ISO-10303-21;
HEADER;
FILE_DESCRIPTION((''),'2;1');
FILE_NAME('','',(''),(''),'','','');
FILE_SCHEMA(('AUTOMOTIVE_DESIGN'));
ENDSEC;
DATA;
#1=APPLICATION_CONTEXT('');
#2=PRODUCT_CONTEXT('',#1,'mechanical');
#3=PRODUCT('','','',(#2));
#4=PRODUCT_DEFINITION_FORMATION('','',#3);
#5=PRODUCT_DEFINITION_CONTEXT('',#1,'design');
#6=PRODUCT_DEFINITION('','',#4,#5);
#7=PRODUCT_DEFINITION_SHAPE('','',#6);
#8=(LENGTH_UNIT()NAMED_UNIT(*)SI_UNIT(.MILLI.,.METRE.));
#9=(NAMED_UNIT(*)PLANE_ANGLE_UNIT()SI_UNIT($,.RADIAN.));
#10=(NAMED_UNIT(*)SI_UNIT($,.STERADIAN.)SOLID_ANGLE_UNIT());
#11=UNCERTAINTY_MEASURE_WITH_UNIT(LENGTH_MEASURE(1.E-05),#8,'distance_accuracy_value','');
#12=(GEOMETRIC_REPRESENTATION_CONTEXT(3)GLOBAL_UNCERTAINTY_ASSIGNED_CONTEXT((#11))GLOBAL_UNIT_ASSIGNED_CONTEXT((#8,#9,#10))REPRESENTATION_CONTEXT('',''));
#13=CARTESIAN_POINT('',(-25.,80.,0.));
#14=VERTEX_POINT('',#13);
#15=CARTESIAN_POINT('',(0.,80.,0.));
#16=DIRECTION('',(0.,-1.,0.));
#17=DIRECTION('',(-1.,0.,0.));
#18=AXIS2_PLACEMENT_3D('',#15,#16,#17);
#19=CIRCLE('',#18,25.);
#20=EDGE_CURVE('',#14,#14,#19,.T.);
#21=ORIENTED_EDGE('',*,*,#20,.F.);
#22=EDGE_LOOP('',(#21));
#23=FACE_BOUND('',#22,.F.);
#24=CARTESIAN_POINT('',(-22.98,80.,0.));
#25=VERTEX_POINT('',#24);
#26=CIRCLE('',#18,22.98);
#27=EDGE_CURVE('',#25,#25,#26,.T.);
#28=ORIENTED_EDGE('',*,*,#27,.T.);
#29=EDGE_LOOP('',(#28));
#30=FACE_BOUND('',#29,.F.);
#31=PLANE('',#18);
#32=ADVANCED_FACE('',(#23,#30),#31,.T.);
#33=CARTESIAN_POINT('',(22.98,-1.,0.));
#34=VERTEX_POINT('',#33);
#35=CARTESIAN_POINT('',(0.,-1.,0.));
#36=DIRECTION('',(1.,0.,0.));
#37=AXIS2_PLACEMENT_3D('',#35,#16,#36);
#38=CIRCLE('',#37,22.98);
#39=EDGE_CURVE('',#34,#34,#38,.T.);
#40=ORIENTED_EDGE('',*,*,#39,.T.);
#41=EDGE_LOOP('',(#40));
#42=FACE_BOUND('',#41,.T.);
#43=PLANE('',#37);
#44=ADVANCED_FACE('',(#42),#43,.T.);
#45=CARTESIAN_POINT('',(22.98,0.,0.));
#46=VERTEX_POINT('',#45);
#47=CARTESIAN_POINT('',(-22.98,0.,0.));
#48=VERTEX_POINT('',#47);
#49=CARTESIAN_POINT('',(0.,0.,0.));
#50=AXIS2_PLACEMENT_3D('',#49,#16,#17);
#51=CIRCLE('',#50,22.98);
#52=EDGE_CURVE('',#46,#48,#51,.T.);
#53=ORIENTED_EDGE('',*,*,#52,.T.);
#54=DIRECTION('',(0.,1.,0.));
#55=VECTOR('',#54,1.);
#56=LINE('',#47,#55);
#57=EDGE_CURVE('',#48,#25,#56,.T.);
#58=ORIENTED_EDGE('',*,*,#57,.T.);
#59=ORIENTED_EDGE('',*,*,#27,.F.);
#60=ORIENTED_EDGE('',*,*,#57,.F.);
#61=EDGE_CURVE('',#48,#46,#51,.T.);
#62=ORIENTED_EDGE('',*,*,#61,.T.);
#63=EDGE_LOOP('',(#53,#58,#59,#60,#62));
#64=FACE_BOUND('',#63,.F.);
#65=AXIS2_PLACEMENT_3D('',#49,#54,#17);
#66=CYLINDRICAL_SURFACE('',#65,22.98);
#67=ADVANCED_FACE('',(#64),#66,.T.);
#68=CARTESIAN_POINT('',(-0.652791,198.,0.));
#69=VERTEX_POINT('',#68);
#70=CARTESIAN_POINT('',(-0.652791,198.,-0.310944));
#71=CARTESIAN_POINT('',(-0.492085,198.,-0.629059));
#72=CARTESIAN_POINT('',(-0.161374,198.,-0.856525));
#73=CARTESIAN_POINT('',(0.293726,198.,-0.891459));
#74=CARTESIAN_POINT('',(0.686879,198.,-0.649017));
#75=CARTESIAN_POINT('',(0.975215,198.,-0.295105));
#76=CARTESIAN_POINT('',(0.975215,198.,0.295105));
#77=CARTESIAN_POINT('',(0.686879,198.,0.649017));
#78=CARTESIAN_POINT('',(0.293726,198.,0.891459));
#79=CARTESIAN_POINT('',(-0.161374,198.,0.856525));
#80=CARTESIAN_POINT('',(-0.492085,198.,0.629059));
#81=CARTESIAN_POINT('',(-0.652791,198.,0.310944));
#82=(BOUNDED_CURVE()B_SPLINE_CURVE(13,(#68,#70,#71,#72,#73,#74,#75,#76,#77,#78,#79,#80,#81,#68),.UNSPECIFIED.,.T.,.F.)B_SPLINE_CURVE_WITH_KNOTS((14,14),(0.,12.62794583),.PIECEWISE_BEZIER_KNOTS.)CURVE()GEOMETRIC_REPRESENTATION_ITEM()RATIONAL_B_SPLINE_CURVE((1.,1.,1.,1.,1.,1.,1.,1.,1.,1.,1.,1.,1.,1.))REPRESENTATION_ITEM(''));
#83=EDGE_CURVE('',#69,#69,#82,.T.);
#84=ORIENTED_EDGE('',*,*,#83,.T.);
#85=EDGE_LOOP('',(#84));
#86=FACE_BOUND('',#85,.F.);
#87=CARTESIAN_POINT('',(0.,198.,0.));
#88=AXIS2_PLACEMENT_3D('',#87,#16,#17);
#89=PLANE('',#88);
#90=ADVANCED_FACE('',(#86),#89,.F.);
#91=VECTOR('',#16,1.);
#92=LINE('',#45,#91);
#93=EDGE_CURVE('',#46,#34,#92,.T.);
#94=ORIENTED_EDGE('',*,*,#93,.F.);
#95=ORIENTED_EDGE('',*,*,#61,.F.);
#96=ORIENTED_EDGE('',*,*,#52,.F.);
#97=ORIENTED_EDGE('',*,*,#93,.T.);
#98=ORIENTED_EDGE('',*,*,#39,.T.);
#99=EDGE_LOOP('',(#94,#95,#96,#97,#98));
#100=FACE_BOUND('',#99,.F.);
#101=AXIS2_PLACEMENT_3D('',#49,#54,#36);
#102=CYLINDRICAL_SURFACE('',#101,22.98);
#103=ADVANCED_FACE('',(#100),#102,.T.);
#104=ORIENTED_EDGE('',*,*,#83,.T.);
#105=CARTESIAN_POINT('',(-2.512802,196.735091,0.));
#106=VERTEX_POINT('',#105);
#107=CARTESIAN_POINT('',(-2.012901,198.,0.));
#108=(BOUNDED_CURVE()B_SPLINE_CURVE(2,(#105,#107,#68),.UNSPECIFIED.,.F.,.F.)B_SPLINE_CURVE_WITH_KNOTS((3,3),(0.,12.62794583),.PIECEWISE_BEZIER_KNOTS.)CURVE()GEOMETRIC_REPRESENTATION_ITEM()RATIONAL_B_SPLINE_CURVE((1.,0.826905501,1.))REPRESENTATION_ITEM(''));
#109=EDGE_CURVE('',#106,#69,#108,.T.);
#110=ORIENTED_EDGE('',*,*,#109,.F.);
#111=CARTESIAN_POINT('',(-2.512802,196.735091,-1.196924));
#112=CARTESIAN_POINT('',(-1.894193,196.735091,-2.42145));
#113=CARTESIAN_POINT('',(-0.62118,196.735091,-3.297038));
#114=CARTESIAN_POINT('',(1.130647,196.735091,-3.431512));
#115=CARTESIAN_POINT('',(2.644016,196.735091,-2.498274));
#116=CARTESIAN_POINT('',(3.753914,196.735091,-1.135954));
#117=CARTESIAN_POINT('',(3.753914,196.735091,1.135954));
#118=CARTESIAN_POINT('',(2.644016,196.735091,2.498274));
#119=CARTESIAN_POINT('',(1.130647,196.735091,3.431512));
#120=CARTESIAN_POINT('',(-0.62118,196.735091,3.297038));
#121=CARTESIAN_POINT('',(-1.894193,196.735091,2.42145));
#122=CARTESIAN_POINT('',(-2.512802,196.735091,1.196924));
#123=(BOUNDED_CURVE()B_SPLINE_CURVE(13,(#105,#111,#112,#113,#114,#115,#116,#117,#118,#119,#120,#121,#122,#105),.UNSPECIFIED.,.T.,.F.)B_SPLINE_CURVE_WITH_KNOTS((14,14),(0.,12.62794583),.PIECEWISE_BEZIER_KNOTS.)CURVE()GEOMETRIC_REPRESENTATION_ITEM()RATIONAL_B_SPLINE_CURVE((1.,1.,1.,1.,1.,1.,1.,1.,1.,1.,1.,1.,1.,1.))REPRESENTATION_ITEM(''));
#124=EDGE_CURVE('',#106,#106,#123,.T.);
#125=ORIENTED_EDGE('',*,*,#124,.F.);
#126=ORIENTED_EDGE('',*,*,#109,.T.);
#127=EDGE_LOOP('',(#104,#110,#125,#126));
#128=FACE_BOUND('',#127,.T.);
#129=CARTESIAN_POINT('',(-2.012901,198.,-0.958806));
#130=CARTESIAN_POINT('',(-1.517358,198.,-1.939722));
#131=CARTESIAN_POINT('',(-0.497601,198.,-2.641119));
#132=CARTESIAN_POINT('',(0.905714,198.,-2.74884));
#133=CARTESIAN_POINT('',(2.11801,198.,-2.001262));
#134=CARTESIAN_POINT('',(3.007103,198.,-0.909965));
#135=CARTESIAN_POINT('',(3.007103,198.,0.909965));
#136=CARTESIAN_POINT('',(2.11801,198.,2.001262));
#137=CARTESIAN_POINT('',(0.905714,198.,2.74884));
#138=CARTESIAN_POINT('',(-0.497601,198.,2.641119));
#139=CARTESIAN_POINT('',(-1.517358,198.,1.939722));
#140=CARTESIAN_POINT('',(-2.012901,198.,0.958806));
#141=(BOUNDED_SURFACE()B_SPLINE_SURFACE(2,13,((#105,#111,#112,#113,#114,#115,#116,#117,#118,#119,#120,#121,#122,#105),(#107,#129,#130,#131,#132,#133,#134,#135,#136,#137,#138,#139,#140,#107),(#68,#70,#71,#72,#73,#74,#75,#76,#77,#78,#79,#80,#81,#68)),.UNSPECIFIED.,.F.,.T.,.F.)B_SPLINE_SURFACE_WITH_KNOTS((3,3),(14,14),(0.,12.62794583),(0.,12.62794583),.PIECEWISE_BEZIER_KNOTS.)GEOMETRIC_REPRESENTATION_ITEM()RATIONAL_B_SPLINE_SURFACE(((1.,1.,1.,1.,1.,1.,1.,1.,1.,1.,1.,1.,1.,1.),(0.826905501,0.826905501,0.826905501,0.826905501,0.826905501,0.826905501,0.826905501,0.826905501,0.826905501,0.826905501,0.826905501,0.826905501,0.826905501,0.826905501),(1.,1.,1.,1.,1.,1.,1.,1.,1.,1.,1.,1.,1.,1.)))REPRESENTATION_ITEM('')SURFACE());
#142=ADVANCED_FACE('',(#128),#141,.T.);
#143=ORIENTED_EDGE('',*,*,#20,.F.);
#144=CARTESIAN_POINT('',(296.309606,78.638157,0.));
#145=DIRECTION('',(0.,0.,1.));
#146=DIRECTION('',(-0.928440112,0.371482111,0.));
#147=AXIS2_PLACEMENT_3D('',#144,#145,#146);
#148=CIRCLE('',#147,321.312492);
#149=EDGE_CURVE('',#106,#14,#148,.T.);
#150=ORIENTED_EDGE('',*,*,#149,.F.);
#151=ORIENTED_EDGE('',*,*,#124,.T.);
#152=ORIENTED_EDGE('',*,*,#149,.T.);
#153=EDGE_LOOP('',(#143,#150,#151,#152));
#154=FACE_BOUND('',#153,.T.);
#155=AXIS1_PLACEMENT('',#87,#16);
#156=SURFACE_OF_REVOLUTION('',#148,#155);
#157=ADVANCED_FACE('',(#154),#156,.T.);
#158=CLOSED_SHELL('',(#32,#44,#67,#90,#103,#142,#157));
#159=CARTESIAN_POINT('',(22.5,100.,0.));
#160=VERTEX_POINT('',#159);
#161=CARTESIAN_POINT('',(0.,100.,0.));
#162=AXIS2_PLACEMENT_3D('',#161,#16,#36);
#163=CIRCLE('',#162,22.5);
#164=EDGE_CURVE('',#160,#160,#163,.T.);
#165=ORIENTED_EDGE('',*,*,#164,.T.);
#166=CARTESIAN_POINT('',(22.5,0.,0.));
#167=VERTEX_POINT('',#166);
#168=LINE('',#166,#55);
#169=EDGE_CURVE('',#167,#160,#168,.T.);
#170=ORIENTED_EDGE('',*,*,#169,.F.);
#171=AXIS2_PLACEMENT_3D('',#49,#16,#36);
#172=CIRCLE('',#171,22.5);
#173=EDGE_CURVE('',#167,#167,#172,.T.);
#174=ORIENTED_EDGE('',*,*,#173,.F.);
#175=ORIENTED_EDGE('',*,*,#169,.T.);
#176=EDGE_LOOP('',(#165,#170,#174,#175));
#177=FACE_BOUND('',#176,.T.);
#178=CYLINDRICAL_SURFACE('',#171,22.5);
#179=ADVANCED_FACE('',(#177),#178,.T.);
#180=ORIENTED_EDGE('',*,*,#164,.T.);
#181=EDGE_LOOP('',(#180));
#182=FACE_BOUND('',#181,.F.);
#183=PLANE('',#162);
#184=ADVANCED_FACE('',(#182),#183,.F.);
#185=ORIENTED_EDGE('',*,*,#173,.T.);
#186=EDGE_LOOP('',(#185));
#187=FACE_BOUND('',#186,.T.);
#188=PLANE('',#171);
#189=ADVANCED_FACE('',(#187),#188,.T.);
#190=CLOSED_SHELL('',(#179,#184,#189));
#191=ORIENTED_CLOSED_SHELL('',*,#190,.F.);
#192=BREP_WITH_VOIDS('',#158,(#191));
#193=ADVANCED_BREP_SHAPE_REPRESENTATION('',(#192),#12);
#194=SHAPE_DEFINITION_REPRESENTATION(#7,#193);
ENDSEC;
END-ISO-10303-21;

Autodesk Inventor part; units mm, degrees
ref_plane "YZ Plane" through (0, 0, 0) normal (1, 0, 0) x (0, 1, 0)
ref_plane "XZ Plane" through (0, 0, 0) normal (0, 1, 0) x (-1, 0, 0)
ref_plane "XY Plane" through (0, 0, 0) normal (0, 0, 1) x (1, 0, 0)
sketch "Szkic1" plane through (0, 0, 0) normal (0, 0, 1) x (1, 0, 0)
  line L0 (0, 0) -> (-22.98, 0)
  line L1 (-2.0098, 198) -> (0, 198)
  line L2 (0, 198) -> (0, 0)
  line L3 (-22.98, 0) -> (-22.98, 80)
  line L4 (-22.98, 80) -> (-25, 80)
  arc A0 (-2.0098, 198) -> (-25, 80) centre (296.3098, 78.6381) ccw
  dimension "d0" = 22.98
  dimension "d10" = 80
  dimension "d11" = 198
  dimension "d13" = 2.02
revolve "Obrót1" add sketch "Szkic1" angle 360 about axis through (0, 198, 0) along (0, -1, 0)
fillet "Zaokrąglenie2" radius 2 1 edges at (2.0098, 198, 0)
sketch "Szkic4" plane through (0, 0, 0) normal (0, -1, 0) x (1, 0, 0)
  circle A0 centre (0, 0) radius 22.98 projected
  circle A1 centre (0, 0) radius 22.98 projected
  circle A2 centre (0, 0) radius 22.5
  point P0 (0, 0)
  dimension "d21" = 0.48
  dimension "d22" = 45
extrude "parachute" cut sketch "Szkic4" against normal blind 100 contours A2
sketch "Sketch9" plane through (0, 0, 0) normal (0, -1, 0) x (1, 0, 0)
  circle A0 centre (0, 0) radius 22.98 projected
  point P0 (0, 0)
extrude "Extrusion4" add sketch "Sketch9" along normal blind 1
properties part number "nose-conev2" material "Papier"
